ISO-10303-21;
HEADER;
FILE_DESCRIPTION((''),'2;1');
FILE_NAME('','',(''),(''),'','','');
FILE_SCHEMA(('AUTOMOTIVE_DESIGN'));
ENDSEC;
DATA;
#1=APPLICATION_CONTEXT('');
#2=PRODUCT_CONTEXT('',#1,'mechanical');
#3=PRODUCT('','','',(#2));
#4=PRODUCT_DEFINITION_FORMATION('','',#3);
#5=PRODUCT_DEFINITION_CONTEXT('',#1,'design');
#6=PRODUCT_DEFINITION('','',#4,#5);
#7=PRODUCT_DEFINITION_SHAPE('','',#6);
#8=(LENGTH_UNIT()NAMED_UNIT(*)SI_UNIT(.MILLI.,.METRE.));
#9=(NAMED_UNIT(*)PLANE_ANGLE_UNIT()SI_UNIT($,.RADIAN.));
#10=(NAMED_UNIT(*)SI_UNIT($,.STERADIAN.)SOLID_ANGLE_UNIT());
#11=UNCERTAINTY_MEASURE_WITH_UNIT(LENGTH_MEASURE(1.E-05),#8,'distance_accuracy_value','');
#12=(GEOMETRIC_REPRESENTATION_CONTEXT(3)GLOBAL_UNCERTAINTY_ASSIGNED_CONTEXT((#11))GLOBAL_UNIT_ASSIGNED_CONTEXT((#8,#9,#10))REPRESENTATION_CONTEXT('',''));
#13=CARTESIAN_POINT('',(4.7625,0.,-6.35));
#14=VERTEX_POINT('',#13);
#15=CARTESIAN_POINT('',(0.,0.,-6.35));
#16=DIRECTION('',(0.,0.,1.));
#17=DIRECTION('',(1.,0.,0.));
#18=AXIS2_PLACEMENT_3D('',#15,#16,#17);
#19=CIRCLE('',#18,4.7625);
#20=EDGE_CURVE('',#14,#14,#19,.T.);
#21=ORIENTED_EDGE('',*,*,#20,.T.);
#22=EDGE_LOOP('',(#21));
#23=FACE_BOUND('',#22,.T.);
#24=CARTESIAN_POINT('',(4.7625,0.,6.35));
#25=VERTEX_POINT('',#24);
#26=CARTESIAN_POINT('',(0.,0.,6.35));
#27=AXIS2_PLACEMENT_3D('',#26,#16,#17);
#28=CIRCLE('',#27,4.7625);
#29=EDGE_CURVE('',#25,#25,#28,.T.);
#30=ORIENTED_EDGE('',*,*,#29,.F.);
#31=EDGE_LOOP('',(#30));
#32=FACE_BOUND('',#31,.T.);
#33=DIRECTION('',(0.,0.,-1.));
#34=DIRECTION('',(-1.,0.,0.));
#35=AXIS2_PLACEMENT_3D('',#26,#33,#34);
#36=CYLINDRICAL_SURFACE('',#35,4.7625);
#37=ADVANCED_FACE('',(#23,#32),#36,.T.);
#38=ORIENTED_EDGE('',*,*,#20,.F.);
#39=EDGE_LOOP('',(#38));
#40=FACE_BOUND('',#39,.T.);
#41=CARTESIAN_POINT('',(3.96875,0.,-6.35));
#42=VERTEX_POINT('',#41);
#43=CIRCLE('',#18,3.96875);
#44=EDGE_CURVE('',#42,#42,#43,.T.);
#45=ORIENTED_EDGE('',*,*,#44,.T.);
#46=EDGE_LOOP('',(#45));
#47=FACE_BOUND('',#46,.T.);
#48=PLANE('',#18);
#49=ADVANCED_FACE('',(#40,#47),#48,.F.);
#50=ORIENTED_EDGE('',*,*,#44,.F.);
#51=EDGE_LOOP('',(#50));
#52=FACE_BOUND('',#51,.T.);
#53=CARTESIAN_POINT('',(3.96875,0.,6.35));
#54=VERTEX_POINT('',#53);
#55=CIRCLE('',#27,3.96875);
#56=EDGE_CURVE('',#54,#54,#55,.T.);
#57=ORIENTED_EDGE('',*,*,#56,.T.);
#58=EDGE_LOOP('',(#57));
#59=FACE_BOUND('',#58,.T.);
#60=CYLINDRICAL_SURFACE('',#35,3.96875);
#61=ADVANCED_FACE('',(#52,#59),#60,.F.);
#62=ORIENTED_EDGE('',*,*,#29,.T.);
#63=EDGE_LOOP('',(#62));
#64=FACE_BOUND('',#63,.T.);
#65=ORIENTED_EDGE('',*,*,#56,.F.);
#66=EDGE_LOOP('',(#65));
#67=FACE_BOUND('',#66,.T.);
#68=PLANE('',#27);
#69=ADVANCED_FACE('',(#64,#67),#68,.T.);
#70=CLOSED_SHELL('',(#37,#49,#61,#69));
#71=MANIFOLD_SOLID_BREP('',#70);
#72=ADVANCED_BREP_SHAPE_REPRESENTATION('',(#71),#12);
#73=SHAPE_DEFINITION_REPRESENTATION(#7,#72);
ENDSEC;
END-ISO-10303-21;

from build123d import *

# Parameters (mm, degrees)
SKETCH1_R      = 4.7625
SKETCH1_R_2    = 3.96875
EXTRUDE1_DEPTH = 6.35


with BuildPart() as part:
    # Sketch1 → Extrude1 (new, symmetric)
    with BuildSketch(Plane.XY):
        Circle(SKETCH1_R)
        Circle(SKETCH1_R_2, mode=Mode.SUBTRACT)
    extrude(amount=EXTRUDE1_DEPTH, both=True)


solid = part.part
